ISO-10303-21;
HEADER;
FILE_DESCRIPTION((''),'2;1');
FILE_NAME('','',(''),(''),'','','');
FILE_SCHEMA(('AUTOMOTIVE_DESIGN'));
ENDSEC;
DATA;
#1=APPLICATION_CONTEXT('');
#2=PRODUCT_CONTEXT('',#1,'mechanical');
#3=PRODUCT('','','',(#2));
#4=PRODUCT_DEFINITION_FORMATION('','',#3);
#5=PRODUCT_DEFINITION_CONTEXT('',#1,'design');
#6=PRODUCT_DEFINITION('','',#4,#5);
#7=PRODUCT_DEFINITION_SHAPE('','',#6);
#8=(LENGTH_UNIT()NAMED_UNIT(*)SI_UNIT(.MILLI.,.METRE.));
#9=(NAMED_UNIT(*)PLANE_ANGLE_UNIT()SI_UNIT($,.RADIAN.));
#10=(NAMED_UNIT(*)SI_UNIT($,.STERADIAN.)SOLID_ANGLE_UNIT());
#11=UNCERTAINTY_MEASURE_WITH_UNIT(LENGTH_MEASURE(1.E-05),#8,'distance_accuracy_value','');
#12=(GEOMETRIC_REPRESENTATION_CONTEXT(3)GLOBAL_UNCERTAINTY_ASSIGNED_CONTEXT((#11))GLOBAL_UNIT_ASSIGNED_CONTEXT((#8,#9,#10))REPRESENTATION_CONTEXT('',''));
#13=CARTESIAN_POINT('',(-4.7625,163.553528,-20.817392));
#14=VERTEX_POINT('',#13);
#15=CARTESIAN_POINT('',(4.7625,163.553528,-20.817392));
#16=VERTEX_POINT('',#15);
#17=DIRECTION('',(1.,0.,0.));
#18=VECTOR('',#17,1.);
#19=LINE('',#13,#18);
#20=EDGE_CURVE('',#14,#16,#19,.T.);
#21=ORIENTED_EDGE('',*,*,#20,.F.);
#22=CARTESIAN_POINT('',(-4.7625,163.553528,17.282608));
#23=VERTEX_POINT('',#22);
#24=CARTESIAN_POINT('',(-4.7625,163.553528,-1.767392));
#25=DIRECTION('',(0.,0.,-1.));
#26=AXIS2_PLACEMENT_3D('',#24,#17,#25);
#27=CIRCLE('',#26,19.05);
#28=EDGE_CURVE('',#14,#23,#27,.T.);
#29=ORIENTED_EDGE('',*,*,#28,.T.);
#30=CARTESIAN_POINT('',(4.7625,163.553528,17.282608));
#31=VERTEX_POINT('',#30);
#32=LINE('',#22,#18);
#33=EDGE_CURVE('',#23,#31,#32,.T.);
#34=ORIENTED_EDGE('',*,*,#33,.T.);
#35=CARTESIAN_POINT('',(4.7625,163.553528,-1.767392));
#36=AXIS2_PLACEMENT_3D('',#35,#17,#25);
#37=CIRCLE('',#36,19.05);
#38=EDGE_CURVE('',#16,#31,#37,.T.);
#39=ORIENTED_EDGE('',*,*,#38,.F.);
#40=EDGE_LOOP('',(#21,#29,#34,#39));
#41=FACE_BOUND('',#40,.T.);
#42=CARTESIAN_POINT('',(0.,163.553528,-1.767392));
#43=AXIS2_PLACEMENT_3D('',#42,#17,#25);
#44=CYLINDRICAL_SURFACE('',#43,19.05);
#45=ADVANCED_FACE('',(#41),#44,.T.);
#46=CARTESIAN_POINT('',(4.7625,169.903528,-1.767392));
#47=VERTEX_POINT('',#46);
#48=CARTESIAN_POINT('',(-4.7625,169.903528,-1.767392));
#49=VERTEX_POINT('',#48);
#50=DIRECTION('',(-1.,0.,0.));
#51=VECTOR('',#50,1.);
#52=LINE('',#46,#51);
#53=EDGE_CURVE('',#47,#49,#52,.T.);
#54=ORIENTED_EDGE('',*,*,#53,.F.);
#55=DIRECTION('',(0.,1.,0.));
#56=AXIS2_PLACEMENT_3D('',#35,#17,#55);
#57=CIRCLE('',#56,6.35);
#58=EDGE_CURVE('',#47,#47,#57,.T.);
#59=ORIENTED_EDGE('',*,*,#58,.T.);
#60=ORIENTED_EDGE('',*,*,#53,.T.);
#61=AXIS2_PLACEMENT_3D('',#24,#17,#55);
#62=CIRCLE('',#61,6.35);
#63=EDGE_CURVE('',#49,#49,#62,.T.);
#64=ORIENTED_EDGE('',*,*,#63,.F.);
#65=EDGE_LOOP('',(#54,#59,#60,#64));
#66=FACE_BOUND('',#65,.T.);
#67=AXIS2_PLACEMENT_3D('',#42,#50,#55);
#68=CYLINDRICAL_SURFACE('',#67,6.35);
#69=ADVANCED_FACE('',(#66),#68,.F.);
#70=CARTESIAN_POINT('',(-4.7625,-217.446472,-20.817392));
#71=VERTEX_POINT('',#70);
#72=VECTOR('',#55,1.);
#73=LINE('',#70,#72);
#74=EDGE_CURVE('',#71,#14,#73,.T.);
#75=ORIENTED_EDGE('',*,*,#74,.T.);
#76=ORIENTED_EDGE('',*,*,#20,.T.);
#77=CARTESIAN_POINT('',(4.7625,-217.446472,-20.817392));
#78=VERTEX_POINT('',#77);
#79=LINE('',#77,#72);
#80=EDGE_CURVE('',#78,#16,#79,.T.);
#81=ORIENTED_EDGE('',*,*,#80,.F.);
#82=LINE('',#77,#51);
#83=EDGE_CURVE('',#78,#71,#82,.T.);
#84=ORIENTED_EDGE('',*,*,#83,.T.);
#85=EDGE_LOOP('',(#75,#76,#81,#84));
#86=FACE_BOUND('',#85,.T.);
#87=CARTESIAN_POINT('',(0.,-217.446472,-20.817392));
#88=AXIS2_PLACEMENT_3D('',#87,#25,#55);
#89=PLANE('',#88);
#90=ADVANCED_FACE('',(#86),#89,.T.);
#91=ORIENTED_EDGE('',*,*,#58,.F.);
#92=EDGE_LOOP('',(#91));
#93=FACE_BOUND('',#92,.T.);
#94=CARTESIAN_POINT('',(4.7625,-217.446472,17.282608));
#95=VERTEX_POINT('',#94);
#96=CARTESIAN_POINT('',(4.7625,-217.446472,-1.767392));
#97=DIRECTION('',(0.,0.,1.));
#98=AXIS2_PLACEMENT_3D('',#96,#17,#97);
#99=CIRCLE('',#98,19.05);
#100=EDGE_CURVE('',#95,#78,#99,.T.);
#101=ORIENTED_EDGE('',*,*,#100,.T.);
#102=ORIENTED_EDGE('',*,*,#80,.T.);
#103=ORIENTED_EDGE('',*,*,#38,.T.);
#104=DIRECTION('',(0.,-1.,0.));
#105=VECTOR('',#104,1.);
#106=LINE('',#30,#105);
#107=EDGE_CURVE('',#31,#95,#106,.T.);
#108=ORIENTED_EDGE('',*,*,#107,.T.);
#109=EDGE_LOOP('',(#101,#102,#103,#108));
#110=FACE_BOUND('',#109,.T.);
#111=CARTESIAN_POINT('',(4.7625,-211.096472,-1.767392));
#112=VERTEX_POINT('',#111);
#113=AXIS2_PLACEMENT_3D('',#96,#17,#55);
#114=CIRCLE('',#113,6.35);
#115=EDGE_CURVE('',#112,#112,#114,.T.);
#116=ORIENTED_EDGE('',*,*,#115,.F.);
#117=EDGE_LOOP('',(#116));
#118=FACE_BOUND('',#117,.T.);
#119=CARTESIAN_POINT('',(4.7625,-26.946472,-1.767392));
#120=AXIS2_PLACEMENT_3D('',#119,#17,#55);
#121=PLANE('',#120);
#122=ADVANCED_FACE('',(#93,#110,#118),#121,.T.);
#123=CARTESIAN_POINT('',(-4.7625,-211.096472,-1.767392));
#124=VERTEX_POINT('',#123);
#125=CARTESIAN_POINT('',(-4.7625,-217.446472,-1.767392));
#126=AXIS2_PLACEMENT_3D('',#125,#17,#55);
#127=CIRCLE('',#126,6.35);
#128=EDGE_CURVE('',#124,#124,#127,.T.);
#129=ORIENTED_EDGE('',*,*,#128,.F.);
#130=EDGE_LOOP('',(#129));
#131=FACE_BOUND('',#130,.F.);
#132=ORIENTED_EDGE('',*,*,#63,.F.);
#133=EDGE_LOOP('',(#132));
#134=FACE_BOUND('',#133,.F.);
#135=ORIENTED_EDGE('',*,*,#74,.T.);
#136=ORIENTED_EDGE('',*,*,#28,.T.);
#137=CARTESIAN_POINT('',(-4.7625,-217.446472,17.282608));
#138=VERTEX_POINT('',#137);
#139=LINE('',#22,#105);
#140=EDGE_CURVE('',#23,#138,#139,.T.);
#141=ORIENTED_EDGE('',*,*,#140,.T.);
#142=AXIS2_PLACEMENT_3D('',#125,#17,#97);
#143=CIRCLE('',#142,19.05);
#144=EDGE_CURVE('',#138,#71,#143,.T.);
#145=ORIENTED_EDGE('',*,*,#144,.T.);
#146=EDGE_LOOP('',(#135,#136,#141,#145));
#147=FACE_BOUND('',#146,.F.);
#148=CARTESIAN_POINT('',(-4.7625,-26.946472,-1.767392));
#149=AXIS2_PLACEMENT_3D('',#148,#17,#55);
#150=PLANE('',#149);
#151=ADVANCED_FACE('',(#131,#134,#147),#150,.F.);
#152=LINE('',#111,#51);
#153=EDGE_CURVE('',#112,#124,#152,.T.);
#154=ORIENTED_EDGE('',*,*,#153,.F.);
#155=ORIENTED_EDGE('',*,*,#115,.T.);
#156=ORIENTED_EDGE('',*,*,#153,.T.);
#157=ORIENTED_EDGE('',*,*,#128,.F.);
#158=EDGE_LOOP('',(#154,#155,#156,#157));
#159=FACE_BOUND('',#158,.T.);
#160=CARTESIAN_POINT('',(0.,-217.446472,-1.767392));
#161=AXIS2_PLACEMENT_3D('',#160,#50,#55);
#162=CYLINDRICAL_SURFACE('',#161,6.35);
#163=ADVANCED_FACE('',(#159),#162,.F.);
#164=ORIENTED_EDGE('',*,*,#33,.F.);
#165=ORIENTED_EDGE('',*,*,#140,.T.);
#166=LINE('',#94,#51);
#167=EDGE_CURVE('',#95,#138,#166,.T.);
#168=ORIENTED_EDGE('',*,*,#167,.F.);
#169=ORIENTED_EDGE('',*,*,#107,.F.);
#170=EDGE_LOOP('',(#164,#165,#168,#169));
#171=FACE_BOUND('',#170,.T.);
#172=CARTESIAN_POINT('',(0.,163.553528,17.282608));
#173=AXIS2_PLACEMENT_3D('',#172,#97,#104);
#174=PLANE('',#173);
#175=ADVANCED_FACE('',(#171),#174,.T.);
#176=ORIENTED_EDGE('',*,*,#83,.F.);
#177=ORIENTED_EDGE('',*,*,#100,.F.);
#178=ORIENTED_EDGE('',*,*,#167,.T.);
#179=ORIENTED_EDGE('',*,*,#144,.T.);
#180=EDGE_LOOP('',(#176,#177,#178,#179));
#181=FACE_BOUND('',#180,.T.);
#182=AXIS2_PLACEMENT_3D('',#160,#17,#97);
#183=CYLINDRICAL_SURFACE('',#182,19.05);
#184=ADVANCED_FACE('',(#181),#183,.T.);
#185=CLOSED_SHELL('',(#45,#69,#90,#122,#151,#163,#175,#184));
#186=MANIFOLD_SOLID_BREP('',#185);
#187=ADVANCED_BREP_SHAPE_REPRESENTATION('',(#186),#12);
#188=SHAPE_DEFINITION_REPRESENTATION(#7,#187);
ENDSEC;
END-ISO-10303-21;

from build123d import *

# Parameters (mm, degrees)
F0_R     = 6.35
F1_DEPTH = 4.7625


with BuildPart() as f1:
    # F0 (on Right) → F1 (new body, symmetric)
    with BuildSketch(Plane.YZ):
        with BuildLine():
            Line((-217.446472, -20.817392), (163.553528, -20.817392))
            ThreePointArc((163.553528, -20.817392), (182.603528, -1.767392), (163.553528, 17.282608))
            Line((163.553528, 17.282608), (-217.446472, 17.282608))
            ThreePointArc((-217.446472, 17.282608), (-236.496472, -1.767392), (-217.446472, -20.817392))
        make_face()
        with Locations((-217.446472, -1.767392)):
            Circle(F0_R, mode=Mode.SUBTRACT)
        with Locations((163.553528, -1.767392)):
            Circle(F0_R, mode=Mode.SUBTRACT)
    extrude(amount=F1_DEPTH, both=True)


solid = f1.part
